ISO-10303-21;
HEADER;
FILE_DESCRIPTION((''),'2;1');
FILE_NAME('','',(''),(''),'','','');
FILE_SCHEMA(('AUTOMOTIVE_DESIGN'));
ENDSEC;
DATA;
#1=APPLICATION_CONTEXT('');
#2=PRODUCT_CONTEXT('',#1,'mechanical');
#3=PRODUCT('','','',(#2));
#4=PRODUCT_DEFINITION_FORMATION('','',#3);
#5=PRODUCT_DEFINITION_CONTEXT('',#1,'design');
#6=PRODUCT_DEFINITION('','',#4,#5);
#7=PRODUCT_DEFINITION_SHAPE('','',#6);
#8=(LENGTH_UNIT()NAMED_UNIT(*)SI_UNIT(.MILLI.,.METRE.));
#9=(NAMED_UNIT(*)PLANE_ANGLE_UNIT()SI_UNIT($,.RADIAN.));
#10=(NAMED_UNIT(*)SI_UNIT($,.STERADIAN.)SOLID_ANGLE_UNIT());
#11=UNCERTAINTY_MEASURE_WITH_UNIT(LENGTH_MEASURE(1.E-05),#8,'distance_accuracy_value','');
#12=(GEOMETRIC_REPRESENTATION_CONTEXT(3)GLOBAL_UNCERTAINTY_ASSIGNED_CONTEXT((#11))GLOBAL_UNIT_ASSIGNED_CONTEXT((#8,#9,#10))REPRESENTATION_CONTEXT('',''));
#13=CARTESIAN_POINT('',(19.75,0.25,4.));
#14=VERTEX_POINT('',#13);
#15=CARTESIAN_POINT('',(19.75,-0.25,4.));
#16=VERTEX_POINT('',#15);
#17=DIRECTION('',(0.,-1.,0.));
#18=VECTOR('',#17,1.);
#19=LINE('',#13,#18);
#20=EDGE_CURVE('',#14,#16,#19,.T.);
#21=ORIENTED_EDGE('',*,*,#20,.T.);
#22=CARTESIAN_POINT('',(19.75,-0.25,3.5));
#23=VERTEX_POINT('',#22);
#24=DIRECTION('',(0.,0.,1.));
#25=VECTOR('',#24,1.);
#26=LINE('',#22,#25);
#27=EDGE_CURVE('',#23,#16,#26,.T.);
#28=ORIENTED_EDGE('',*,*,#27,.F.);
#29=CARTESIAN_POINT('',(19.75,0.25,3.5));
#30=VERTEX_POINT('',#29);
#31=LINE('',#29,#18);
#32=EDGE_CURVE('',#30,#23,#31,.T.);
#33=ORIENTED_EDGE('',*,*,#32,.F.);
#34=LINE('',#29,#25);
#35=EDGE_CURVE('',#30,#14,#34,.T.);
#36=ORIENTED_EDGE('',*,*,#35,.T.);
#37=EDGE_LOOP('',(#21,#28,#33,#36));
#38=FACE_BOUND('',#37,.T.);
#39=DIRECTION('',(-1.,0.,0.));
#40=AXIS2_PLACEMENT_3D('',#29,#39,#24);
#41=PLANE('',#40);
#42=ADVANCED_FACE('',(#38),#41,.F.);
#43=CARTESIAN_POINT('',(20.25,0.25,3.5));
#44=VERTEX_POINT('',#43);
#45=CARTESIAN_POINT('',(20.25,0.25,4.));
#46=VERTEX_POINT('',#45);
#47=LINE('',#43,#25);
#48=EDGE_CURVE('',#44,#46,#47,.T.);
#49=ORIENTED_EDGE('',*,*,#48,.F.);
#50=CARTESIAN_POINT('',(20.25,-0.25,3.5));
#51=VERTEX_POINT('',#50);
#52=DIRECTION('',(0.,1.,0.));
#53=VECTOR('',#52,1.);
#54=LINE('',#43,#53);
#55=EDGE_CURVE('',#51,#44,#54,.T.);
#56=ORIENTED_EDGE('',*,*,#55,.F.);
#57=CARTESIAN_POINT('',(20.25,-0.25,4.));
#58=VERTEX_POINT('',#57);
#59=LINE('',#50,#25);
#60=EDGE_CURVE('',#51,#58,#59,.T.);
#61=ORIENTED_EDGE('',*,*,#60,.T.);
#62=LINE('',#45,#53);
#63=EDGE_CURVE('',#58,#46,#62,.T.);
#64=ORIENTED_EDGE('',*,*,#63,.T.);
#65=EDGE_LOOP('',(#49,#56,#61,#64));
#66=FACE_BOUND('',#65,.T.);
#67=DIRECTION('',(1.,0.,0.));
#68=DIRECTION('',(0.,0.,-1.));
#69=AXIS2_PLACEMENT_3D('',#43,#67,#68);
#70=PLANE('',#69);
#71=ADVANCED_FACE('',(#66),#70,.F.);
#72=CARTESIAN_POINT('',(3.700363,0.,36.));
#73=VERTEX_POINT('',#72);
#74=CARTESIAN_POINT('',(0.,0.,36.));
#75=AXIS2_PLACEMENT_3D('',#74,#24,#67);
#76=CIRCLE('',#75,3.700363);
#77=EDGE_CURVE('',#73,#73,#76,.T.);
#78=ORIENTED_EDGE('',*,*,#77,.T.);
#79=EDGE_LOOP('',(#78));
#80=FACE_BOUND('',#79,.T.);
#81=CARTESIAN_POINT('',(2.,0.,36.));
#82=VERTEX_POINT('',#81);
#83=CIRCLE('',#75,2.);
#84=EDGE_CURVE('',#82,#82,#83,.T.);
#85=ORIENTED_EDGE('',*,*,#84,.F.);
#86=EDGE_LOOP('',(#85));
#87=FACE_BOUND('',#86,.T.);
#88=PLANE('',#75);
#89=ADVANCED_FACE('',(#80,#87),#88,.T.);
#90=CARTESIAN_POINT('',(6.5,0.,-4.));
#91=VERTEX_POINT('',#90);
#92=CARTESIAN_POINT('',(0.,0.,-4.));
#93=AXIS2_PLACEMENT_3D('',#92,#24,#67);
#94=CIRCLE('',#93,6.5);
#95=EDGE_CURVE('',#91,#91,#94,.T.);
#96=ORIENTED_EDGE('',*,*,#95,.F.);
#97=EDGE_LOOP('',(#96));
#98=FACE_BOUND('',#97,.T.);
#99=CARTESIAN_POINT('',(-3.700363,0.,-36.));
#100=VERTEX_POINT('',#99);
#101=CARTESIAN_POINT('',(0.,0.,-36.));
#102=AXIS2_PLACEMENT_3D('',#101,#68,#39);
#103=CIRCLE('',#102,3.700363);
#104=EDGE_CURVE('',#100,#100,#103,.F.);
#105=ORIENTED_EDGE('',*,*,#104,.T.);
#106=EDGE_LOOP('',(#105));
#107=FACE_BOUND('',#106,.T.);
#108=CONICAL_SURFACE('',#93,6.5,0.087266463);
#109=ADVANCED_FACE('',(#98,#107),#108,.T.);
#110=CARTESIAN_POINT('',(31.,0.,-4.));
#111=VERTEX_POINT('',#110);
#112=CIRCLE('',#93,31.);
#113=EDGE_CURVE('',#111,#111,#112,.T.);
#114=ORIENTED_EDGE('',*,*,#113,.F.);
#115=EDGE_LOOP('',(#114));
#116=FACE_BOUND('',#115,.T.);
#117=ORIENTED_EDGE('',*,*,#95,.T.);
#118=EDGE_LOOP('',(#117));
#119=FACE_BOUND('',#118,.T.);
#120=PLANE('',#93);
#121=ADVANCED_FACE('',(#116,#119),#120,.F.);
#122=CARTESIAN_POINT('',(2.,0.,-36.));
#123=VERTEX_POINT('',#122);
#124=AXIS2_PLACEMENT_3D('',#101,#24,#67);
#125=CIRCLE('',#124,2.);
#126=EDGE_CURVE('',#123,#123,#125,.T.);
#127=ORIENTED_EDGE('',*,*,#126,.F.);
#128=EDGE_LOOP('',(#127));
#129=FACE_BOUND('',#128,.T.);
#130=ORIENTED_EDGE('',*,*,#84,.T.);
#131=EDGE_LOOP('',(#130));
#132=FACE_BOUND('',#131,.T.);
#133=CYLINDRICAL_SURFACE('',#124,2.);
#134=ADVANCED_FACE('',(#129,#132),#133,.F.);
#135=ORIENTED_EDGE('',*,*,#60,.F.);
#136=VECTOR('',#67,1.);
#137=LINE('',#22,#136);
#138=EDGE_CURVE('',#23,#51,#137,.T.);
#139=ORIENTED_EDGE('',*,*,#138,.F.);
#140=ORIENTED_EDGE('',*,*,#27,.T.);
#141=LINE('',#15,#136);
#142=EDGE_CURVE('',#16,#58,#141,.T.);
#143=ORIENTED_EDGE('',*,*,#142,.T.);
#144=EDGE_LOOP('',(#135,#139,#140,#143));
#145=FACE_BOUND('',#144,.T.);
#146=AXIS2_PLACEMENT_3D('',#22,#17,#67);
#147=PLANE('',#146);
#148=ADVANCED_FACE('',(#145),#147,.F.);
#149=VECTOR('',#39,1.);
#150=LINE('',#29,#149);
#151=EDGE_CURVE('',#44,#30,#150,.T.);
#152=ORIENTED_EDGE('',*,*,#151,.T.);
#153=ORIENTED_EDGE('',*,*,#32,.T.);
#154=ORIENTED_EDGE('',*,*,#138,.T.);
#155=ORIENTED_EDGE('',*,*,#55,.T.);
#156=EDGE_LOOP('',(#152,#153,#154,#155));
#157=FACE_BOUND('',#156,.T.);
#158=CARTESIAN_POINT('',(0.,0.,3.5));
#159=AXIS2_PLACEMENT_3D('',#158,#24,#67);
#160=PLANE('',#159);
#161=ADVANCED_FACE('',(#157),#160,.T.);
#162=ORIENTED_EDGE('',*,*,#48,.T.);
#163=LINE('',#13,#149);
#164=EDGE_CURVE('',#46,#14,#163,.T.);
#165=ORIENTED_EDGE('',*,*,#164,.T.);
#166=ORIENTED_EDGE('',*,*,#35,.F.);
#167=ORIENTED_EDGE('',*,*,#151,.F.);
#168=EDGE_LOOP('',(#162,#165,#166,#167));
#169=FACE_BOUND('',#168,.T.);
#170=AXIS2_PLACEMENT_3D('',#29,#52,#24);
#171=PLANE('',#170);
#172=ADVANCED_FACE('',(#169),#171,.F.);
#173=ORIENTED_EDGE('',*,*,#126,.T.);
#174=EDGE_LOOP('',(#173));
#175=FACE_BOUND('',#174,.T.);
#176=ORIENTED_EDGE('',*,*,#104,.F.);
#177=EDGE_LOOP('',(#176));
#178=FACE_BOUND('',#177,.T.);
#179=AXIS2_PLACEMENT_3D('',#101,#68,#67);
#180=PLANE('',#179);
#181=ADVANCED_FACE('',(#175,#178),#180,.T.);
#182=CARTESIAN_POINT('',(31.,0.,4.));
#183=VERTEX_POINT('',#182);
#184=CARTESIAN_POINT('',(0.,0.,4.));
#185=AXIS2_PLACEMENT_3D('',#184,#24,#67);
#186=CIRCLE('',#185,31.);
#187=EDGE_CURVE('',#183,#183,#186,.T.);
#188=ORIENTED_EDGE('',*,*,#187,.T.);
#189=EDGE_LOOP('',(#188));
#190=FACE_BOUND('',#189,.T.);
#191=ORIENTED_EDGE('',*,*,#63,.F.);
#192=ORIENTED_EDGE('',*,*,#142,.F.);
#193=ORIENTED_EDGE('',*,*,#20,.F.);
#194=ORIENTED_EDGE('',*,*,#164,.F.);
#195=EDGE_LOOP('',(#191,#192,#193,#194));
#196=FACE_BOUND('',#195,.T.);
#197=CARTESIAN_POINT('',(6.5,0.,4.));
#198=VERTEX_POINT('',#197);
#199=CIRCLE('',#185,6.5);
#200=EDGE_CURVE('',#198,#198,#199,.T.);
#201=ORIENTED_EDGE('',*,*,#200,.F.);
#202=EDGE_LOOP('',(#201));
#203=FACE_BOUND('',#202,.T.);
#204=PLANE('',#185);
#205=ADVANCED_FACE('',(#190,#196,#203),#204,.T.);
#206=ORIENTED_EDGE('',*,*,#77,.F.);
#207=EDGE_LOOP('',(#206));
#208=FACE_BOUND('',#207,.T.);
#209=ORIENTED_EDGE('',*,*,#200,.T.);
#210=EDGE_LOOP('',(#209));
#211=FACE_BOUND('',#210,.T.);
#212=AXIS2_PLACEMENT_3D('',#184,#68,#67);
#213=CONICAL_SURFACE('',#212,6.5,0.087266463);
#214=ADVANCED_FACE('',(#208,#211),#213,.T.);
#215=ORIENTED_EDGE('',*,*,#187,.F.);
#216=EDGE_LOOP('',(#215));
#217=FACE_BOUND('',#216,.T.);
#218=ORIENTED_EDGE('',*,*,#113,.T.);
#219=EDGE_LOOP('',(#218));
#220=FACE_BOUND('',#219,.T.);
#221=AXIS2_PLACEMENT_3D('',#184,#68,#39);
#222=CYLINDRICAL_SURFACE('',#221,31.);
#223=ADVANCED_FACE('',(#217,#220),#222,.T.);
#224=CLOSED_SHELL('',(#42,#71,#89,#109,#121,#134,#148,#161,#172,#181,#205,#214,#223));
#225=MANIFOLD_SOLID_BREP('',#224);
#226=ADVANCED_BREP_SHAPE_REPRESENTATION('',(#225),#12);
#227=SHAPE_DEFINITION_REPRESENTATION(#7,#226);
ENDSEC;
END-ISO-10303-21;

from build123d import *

# Parameters (mm, degrees)
SKETCH1_R           = 31
BOSS_EXTRUDE1_DEPTH = 4
SKETCH3_R           = 6.5
BOSS_EXTRUDE2_DEPTH = 32
BOSS_EXTRUDE2_TAPER = 5
SKETCH4_R           = 2
CUT_EXTRUDE1_DEPTH  = 85.297093663
SKETCH5_W           = 0.5
SKETCH5_H           = 0.5
CUT_EXTRUDE2_DEPTH  = 0.5


with BuildPart() as part:
    # Sketch1 → Boss-Extrude1 (new, symmetric)
    with BuildSketch(Plane.XY):
        Circle(SKETCH1_R)
    extrude(amount=BOSS_EXTRUDE1_DEPTH, both=True)

    # Sketch3 → Boss-Extrude2 (add)
    with BuildSketch(Plane.XY.offset(4)):
        Circle(SKETCH3_R)
    boss_extrude2 = extrude(amount=BOSS_EXTRUDE2_DEPTH, taper=BOSS_EXTRUDE2_TAPER)

    # Mirror1: Boss-Extrude2 across plane
    add(boss_extrude2.mirror(Plane.XY))

    # Sketch4 → Cut-Extrude1 (cut, through all)
    with BuildSketch(Plane.XY.offset(36)):
        Circle(SKETCH4_R)
    extrude(amount=-CUT_EXTRUDE1_DEPTH, mode=Mode.SUBTRACT)

    # Sketch5 → Cut-Extrude2 (cut)
    with BuildSketch(Plane.XY.offset(4)):
        with Locations((20, 0)):
            Rectangle(SKETCH5_W, SKETCH5_H)
    extrude(amount=-CUT_EXTRUDE2_DEPTH, mode=Mode.SUBTRACT)


solid = part.part
